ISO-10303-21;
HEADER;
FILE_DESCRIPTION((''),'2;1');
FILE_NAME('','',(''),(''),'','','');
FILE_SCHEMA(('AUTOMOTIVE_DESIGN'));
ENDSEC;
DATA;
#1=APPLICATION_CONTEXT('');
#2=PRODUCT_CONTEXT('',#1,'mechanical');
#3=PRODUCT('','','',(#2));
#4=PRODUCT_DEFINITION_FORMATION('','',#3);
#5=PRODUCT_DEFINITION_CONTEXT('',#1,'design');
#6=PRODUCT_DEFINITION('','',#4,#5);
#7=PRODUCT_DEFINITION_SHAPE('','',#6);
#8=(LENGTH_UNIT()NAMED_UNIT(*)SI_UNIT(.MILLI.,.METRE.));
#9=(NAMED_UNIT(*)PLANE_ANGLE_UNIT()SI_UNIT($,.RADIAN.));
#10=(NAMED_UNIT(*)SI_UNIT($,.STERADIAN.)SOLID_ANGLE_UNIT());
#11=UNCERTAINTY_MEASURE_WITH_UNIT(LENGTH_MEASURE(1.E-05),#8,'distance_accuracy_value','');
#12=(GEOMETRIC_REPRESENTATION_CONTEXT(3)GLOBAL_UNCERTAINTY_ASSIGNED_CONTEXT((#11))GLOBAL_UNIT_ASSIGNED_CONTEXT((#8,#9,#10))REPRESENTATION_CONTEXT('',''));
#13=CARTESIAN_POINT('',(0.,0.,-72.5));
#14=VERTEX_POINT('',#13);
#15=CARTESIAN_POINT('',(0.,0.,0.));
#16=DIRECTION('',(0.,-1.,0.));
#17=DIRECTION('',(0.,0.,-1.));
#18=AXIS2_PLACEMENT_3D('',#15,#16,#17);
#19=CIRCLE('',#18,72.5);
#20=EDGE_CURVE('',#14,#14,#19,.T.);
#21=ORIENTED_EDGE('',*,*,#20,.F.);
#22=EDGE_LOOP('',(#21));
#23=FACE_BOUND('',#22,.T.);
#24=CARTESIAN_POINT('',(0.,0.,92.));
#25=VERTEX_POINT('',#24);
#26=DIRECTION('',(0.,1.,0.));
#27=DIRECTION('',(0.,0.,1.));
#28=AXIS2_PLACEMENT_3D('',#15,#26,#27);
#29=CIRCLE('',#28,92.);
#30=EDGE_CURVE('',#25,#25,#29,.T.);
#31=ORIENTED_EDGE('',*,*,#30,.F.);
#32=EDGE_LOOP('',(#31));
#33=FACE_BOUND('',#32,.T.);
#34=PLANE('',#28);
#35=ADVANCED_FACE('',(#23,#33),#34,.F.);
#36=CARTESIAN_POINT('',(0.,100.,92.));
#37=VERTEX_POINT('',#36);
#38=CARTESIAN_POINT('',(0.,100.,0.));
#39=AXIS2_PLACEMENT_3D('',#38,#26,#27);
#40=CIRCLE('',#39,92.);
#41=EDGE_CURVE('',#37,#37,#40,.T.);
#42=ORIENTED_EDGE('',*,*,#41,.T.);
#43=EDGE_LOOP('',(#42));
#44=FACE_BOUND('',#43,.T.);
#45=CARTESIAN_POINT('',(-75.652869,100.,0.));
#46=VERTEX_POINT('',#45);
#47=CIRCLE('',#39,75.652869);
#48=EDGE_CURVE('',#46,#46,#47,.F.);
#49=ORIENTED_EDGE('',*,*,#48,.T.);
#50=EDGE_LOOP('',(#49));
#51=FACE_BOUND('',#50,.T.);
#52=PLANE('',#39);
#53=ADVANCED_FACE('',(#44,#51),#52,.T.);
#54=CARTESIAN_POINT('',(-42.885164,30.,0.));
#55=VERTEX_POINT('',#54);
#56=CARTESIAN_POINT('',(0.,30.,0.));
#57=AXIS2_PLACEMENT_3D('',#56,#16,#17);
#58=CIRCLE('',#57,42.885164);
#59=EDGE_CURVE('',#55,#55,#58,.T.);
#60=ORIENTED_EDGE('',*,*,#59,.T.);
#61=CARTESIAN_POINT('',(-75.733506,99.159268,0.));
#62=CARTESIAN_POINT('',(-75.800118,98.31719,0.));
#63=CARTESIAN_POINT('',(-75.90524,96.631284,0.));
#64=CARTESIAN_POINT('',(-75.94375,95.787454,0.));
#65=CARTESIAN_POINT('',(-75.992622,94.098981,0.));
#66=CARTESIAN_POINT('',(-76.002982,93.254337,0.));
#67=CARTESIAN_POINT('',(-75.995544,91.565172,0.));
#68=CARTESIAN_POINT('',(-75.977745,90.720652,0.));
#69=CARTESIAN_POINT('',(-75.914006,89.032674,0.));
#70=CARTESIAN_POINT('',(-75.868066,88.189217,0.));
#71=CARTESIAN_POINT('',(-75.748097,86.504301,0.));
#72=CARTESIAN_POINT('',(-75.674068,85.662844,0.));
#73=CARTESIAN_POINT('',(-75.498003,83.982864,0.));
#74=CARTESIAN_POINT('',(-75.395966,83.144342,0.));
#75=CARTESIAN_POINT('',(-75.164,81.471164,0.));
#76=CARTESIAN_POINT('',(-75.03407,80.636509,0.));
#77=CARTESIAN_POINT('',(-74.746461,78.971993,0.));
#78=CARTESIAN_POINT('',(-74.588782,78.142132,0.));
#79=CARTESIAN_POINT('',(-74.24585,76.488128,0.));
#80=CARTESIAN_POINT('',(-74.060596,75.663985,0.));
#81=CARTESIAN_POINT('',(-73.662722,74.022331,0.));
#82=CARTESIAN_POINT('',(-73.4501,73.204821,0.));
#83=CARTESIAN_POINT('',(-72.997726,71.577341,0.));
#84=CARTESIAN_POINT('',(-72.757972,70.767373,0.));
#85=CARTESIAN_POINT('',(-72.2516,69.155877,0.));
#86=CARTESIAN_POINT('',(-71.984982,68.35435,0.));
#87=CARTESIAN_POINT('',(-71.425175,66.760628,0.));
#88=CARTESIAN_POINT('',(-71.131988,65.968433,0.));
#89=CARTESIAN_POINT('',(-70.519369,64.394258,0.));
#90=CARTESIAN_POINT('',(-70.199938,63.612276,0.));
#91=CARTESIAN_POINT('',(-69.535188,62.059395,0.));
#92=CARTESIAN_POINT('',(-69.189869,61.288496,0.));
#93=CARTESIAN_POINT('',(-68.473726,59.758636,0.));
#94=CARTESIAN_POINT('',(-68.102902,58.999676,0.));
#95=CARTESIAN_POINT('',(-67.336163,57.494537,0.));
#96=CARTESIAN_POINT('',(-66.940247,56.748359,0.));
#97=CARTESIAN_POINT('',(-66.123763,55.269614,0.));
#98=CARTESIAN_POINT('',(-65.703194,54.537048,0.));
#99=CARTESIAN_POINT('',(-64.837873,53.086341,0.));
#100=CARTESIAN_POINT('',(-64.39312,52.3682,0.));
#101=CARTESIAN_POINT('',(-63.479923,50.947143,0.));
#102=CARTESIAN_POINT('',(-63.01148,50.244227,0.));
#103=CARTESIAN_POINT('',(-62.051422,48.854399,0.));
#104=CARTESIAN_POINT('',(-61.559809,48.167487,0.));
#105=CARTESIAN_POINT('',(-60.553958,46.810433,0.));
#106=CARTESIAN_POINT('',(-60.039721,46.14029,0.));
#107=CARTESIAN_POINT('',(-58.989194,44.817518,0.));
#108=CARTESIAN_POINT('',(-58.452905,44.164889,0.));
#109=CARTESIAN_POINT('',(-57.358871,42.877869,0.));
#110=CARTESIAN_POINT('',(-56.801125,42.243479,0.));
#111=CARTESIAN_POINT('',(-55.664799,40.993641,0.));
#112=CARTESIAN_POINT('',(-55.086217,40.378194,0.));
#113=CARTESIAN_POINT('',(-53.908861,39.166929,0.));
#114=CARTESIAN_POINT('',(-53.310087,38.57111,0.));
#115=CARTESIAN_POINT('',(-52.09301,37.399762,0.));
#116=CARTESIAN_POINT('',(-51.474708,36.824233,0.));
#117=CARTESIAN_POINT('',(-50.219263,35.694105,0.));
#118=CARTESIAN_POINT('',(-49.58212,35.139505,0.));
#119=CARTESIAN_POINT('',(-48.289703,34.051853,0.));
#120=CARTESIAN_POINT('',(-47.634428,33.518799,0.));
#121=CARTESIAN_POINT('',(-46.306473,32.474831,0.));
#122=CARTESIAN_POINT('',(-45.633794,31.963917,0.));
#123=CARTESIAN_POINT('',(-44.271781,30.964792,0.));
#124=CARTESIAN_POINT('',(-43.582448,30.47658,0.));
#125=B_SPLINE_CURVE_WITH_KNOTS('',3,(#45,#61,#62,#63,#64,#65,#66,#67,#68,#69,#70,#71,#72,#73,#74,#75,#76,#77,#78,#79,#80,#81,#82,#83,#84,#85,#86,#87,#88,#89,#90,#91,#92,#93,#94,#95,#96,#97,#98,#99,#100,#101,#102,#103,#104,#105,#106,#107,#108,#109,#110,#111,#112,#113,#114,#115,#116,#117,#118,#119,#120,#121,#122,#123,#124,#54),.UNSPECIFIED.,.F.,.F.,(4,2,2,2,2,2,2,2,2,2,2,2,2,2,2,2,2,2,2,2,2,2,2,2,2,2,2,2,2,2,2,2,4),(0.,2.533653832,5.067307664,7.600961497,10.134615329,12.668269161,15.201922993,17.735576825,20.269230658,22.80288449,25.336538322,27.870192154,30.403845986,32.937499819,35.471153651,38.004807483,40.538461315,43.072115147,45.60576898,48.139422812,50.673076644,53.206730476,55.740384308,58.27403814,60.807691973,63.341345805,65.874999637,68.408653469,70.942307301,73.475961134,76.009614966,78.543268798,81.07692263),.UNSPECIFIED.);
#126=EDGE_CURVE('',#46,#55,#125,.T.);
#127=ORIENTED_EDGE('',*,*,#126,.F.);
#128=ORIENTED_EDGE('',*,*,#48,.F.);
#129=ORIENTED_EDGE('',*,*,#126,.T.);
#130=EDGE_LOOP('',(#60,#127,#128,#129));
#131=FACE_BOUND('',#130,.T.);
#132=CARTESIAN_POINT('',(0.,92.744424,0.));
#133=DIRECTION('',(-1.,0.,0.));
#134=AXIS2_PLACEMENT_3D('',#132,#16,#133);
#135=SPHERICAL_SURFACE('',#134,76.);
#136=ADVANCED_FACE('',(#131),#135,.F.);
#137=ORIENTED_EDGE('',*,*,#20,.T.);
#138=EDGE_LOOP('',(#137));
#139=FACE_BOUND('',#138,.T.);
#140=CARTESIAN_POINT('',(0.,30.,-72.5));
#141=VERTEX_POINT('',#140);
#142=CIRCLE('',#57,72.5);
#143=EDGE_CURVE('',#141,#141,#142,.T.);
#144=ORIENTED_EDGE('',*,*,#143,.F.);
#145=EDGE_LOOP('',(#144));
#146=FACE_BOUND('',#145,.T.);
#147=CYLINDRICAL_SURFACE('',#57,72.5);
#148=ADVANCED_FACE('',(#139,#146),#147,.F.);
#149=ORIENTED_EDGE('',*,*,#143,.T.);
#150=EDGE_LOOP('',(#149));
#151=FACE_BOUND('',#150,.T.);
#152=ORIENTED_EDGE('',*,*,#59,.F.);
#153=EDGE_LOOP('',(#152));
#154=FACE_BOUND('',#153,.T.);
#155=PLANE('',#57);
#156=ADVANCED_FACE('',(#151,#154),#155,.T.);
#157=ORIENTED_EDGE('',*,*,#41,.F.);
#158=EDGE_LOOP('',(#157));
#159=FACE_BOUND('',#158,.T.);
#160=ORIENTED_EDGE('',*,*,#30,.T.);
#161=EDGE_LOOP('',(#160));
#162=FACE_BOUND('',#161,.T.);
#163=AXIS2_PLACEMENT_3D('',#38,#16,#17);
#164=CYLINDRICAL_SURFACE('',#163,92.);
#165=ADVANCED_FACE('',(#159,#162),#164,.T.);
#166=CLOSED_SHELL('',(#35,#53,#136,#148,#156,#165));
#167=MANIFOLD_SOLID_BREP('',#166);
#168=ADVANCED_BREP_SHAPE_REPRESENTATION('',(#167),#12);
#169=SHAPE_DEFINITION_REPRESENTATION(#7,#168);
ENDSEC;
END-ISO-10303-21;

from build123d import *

# Parameters (mm, degrees)
SKETCH1_R           = 92
BOSS_EXTRUDE1_DEPTH = 100
SKETCH3_R           = 72.5
CUT_EXTRUDE1_DEPTH  = 30


with BuildPart() as part:
    # Sketch1 → Boss-Extrude1 (new body)
    with BuildSketch(Plane(origin=(0, 0, 0), x_dir=(1, 0, 0), z_dir=(0, 1, 0))):
        with Locations(Location((0, 0, 0), (0, 0, 270))):
            Circle(SKETCH1_R)
    extrude(amount=BOSS_EXTRUDE1_DEPTH)

    # Sketch2 → Cut-Revolve1 (revolve, cut)
    with BuildSketch(Plane.XY):
        with BuildLine():
            Line((0, 16.744424028), (0, 168.744424028))
            ThreePointArc((0, 168.744424028), (-76, 92.744424028), (0, 16.744424028))
        make_face()
    revolve(axis=Axis((0, 16.744424028, 0), (0, 1, 0)), mode=Mode.SUBTRACT)

    # Sketch3 → Cut-Extrude1 (cut)
    with BuildSketch(Plane.XZ):
        with Locations(Location((0, 0, 0), (0, 0, 270))):
            Circle(SKETCH3_R)
    extrude(amount=-CUT_EXTRUDE1_DEPTH, mode=Mode.SUBTRACT)


solid = part.part
